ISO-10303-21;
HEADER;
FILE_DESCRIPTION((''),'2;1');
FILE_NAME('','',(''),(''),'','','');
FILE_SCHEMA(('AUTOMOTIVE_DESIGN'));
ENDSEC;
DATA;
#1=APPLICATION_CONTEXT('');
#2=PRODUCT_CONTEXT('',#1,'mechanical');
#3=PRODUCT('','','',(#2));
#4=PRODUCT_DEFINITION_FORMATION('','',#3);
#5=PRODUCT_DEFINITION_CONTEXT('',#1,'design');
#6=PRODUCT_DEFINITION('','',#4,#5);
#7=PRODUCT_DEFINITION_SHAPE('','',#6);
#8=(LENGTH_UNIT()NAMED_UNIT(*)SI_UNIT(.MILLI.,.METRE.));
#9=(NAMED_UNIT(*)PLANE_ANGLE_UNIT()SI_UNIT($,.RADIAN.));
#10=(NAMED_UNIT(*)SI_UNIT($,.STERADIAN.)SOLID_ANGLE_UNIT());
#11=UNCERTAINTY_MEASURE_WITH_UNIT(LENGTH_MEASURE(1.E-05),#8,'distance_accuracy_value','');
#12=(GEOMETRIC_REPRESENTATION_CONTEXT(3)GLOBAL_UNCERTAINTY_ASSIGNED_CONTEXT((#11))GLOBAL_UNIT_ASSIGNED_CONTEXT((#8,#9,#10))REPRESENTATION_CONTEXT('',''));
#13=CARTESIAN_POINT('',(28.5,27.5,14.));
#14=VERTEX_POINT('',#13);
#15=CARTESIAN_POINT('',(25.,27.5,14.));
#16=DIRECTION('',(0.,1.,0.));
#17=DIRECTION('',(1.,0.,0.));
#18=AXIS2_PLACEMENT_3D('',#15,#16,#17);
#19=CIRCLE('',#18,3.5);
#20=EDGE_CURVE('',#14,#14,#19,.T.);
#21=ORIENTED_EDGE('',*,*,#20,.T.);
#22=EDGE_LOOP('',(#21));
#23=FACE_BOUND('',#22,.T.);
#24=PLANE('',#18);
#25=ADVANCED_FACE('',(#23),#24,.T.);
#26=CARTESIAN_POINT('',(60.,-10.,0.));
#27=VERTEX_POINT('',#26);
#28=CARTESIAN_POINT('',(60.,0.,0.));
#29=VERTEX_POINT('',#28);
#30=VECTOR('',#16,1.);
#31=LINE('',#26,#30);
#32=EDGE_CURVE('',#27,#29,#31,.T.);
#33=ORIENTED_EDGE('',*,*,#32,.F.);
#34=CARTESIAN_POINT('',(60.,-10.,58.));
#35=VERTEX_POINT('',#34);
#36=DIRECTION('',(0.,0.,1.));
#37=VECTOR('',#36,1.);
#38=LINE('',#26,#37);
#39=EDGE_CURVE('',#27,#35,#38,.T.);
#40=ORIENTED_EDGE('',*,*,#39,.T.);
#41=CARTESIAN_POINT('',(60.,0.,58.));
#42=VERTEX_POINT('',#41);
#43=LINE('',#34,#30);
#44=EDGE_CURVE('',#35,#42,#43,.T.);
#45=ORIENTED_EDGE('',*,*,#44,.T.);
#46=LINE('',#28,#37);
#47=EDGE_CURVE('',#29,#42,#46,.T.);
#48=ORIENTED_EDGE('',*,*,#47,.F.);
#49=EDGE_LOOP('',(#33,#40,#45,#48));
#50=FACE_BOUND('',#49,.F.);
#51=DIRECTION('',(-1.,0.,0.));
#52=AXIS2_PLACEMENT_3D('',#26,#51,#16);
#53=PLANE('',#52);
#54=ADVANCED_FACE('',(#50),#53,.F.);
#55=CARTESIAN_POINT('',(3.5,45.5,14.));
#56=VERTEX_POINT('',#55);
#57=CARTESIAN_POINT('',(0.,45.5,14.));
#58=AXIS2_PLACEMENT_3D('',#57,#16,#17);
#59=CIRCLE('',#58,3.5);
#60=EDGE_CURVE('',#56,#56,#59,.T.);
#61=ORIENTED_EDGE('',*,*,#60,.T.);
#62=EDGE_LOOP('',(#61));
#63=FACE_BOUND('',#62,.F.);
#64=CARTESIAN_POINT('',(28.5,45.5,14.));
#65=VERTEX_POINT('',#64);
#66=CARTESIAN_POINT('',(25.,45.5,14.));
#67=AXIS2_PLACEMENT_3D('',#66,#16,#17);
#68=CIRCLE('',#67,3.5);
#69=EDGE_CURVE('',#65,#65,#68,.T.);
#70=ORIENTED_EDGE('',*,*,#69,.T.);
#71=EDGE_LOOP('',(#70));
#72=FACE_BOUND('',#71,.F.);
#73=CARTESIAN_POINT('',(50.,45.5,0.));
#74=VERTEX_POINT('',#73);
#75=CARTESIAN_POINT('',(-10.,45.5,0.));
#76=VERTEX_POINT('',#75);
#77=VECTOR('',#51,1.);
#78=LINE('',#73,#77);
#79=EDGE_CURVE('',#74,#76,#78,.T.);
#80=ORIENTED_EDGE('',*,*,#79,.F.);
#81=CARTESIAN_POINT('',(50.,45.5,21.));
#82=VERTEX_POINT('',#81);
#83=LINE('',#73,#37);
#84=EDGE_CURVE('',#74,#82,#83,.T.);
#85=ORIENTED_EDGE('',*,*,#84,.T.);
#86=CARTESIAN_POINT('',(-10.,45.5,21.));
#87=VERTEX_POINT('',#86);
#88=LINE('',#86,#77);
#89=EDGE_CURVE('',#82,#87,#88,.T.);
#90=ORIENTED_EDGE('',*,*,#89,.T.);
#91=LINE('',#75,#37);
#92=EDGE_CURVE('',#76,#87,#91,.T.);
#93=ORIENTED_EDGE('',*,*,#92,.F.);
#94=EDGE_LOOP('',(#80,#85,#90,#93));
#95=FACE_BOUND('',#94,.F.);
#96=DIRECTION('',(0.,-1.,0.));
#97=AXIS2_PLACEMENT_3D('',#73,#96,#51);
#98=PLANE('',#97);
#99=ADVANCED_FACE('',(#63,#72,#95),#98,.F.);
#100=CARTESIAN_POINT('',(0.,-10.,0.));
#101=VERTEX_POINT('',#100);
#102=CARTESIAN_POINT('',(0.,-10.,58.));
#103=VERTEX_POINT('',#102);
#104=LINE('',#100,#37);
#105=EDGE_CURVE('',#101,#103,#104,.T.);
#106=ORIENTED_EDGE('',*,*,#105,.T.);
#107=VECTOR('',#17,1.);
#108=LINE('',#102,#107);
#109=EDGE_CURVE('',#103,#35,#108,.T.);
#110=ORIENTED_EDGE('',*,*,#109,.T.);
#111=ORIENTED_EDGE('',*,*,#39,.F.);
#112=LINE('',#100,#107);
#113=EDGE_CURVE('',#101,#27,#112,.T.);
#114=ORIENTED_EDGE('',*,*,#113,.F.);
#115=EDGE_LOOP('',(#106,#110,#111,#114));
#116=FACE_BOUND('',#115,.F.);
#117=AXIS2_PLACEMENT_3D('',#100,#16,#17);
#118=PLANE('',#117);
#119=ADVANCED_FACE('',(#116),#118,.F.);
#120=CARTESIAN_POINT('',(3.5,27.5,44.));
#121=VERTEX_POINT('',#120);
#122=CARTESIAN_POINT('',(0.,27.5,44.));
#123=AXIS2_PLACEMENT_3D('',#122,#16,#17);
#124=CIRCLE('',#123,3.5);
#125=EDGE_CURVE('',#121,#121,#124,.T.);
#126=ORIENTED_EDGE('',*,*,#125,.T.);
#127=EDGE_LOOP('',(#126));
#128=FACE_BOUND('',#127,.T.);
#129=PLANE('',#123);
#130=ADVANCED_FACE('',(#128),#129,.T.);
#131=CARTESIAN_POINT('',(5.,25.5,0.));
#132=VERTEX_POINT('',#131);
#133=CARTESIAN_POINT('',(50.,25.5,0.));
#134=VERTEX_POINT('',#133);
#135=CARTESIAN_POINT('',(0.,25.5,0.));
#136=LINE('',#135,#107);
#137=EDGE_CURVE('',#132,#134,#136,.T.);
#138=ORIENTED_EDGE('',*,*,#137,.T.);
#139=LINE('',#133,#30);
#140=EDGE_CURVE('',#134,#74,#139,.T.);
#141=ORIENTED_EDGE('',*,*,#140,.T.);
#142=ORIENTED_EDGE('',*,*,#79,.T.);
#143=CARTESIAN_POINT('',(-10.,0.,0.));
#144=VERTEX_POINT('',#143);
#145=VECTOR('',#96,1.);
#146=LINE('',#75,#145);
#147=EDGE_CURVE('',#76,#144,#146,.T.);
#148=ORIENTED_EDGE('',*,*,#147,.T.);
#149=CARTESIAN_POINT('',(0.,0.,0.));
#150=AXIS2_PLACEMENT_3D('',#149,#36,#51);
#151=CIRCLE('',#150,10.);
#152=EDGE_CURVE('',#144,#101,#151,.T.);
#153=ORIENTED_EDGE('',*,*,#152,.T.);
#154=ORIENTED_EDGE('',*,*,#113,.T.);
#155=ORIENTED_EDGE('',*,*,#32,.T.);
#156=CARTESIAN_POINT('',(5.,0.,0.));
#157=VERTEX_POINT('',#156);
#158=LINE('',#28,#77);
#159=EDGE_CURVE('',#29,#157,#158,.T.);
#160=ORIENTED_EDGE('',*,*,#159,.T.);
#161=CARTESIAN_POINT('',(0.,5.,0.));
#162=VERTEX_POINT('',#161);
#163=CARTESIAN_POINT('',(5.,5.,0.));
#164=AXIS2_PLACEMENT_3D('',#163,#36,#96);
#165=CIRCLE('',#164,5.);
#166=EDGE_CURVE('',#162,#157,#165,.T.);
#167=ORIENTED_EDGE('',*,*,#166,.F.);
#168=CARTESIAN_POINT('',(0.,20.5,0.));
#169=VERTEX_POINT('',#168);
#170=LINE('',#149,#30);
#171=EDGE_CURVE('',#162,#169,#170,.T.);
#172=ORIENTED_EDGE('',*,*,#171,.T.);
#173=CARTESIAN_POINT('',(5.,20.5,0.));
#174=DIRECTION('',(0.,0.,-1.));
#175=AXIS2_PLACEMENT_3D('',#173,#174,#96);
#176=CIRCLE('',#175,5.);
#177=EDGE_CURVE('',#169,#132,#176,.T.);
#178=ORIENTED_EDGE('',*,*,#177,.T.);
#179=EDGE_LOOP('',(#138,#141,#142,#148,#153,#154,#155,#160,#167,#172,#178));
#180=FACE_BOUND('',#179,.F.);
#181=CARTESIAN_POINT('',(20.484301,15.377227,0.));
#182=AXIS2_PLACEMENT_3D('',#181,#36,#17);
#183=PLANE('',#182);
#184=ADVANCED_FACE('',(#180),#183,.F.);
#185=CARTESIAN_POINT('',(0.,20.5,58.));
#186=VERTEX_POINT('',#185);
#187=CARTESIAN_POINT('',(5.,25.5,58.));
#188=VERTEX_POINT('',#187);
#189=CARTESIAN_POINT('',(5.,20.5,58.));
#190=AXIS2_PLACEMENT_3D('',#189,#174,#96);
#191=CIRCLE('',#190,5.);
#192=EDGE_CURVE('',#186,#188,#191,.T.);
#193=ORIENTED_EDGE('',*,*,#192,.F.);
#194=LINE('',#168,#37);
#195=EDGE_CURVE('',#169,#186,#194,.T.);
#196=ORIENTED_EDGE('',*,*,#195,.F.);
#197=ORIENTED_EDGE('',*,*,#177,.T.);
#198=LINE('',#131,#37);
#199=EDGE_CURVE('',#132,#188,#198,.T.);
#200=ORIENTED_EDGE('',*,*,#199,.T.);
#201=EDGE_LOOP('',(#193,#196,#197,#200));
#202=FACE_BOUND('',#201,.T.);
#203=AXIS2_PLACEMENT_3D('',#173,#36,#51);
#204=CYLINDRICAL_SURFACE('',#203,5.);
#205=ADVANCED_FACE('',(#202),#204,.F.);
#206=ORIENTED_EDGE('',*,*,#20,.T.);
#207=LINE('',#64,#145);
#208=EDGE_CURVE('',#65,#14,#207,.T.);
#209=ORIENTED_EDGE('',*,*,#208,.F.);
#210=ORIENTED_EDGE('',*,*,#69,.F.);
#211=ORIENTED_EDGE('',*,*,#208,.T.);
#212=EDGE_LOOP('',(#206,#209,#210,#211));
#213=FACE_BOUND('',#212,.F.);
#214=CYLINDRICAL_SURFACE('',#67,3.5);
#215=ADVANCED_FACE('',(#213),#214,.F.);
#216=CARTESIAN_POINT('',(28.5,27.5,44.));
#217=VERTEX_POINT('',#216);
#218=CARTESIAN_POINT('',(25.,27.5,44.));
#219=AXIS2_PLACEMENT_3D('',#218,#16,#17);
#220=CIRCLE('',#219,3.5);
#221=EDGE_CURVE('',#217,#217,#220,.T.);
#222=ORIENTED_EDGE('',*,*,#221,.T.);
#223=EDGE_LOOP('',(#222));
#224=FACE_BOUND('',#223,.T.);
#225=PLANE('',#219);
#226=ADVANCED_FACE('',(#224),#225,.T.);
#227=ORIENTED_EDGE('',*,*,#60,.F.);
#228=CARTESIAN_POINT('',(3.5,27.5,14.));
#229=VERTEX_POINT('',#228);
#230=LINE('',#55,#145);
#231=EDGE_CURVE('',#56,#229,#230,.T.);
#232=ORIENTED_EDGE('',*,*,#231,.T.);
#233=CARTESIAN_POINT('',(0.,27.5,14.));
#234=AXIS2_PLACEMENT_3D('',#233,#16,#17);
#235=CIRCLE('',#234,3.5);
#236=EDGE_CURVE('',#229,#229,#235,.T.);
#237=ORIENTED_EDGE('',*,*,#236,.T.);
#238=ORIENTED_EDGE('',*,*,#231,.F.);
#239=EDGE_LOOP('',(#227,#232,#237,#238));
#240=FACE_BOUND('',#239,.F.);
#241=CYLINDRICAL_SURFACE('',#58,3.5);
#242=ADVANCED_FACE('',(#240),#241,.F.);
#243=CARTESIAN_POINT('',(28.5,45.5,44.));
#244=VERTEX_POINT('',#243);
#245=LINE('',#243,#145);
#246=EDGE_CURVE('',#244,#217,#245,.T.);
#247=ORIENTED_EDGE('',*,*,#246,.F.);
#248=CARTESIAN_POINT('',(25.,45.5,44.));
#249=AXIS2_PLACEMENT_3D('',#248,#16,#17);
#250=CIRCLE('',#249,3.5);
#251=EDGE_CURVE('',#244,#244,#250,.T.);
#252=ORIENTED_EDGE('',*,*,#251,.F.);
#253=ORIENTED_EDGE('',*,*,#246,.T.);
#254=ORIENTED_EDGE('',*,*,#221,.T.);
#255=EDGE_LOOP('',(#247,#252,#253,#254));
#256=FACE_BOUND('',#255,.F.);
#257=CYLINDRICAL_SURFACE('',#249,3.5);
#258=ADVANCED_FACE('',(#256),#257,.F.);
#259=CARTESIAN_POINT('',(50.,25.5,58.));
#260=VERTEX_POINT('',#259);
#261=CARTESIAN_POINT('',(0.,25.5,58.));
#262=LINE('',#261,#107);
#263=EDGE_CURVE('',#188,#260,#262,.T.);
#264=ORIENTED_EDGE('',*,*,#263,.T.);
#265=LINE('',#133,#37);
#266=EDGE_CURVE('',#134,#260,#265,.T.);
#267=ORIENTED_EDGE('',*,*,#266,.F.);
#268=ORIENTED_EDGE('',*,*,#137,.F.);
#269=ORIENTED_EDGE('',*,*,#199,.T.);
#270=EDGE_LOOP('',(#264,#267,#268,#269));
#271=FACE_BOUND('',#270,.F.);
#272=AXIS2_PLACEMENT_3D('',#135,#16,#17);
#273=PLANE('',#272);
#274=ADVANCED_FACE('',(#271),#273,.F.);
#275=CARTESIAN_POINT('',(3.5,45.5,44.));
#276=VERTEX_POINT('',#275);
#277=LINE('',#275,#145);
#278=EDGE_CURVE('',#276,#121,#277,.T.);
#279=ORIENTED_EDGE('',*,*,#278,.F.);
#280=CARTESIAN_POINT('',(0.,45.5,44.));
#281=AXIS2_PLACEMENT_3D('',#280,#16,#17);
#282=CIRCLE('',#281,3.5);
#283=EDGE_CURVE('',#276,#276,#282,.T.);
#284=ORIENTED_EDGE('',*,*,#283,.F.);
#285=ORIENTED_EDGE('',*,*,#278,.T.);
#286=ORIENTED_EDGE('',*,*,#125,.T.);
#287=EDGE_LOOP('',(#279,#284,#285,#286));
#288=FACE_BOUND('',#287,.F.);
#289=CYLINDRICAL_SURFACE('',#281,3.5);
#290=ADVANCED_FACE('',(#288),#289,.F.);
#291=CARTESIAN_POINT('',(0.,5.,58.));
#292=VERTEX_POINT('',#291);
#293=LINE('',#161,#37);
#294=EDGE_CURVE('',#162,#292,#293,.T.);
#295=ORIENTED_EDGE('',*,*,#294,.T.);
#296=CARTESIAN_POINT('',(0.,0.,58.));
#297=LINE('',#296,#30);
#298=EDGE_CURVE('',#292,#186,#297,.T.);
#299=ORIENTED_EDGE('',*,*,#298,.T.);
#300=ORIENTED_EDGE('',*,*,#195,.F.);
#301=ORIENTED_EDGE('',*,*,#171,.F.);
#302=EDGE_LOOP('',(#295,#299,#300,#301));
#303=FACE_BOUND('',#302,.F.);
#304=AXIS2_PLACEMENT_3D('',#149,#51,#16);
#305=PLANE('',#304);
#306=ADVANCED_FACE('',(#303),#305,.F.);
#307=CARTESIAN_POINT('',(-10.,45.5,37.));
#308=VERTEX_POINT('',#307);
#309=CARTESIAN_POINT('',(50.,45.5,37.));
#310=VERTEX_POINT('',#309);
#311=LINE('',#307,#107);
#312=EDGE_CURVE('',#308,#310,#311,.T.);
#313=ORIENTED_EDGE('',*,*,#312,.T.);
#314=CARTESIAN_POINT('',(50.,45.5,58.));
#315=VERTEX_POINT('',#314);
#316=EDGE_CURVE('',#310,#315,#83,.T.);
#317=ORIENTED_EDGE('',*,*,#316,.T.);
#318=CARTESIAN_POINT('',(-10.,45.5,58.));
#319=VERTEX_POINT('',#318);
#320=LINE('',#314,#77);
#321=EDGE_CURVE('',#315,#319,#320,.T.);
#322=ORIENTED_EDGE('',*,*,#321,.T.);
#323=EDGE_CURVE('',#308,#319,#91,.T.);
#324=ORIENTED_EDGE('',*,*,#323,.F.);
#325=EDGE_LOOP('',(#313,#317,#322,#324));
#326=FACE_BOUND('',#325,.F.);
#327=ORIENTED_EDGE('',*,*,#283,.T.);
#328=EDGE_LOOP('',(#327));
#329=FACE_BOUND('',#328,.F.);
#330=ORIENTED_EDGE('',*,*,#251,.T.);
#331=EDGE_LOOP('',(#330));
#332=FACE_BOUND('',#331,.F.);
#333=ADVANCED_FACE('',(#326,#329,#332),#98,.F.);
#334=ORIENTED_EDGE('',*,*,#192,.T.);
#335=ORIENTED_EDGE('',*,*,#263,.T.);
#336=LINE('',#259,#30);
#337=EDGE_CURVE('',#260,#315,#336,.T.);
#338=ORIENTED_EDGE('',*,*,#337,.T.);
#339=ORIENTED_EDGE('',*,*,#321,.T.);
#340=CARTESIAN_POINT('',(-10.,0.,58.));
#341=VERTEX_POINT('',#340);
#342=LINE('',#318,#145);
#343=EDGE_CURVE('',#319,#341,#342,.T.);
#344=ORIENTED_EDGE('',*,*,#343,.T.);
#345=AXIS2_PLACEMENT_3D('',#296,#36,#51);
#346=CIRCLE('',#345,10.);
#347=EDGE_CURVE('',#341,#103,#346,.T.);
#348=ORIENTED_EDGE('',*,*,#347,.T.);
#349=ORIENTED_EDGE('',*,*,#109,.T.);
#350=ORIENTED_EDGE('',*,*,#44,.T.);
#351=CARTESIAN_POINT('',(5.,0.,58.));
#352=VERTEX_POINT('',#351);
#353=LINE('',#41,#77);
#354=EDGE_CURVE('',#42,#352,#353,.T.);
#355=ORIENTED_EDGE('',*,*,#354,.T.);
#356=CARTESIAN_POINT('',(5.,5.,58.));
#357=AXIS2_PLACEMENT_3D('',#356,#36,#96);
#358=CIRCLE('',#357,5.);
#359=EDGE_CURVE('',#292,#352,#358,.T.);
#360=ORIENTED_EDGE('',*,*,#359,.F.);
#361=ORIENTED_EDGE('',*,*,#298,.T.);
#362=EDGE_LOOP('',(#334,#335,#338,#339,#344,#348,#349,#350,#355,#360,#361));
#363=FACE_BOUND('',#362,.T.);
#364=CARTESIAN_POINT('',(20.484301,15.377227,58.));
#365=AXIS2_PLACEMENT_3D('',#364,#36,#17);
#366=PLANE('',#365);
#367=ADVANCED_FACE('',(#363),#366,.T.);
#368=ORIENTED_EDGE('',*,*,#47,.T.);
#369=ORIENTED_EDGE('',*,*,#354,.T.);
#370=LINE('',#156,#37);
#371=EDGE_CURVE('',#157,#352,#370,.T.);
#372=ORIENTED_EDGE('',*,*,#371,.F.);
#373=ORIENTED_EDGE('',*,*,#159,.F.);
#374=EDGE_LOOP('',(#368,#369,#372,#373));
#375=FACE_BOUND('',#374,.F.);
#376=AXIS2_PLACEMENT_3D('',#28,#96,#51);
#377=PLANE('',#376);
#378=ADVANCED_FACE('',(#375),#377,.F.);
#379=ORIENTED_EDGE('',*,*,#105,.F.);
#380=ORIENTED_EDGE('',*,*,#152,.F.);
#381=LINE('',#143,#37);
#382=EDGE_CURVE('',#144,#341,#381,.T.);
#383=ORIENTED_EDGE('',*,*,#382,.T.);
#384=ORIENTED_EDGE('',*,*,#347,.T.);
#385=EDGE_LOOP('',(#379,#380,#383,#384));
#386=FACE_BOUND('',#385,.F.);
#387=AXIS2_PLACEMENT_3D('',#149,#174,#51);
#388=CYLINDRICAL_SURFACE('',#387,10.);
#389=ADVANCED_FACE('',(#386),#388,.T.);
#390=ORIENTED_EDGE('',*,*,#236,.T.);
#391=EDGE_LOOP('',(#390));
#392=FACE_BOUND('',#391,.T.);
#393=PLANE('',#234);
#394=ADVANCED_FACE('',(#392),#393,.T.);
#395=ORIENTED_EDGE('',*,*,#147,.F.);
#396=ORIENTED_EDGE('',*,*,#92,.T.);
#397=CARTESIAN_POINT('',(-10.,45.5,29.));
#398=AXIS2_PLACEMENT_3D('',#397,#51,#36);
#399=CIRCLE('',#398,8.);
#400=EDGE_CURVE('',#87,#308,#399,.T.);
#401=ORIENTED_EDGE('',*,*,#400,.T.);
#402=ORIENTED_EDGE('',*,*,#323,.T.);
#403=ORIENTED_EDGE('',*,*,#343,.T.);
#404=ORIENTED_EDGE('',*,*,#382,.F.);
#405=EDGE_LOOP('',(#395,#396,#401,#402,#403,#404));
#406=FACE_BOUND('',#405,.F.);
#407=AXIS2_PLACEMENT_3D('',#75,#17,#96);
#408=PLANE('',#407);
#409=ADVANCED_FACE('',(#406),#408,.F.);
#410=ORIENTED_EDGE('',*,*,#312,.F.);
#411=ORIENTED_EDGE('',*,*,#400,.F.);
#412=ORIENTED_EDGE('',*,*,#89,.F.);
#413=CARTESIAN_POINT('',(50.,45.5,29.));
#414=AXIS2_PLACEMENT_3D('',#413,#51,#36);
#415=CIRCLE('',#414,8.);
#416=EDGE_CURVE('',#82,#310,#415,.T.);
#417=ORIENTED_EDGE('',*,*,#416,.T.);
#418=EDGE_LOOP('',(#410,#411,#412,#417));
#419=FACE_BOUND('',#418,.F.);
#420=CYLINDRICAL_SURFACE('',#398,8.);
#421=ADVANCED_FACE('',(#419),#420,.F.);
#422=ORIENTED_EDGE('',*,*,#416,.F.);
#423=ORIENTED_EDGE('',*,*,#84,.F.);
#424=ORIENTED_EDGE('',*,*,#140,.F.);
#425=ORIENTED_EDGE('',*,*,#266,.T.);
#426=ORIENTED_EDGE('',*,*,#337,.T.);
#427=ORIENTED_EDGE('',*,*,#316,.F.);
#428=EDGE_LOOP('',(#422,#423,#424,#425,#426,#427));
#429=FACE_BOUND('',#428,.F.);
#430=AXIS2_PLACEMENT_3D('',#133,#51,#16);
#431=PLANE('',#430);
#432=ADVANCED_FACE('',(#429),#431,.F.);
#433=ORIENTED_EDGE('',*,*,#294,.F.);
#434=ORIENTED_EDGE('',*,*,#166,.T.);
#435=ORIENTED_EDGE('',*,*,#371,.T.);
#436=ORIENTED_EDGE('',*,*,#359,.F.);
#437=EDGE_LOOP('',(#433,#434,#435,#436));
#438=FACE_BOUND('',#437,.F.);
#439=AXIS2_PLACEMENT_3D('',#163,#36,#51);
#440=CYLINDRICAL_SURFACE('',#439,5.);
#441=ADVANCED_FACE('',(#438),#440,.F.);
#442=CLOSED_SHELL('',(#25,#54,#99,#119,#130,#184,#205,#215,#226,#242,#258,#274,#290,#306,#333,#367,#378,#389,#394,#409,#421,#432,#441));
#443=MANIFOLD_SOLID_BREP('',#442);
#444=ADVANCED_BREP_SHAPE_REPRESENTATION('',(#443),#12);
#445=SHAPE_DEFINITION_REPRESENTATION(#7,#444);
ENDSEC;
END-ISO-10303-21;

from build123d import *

# Parameters (mm, degrees)
BOSS_EXTRUDE1_DEPTH = 58
SKETCH2_R           = 8
CUT_EXTRUDE1_DEPTH  = 60
SKETCH3_R           = 3.5
CUT_EXTRUDE2_DEPTH  = 18
FILLET1_R           = 5


with BuildPart() as part:
    # Sketch1 → Boss-Extrude1 (new body)
    with BuildSketch(Plane.XY):
        with BuildLine():
            Line((0, 0), (0, 25.5))
            Line((0, 25.5), (50, 25.5))
            Line((50, 25.5), (50, 45.5))
            Line((50, 45.5), (-10, 45.5))
            Line((-10, 45.5), (-10, 0))
            ThreePointArc((-10, 0), (-7.071067812, -7.071067812), (0, -10))
            Line((0, -10), (60, -10))
            Line((60, -10), (60, 0))
            Line((60, 0), (0, 0))
        make_face()
    extrude(amount=BOSS_EXTRUDE1_DEPTH)

    # Sketch2 → Cut-Extrude1 (cut)
    with BuildSketch(Plane.ZY.offset(10)):
        with Locations((29, 45.5)):
            Circle(SKETCH2_R)
    extrude(amount=-CUT_EXTRUDE1_DEPTH, mode=Mode.SUBTRACT)

    # Sketch3 → Cut-Extrude2 (cut)
    with BuildSketch(Plane(origin=(0, 45.5, 0), x_dir=(1, 0, 0), z_dir=(0, 1, 0))):
        with Locations((0, -14)):
            Circle(SKETCH3_R)
        with Locations((0, -44)):
            Circle(SKETCH3_R)
        with Locations((25, -14)):
            Circle(SKETCH3_R)
        with Locations((25, -44)):
            Circle(SKETCH3_R)
    extrude(amount=-CUT_EXTRUDE2_DEPTH, mode=Mode.SUBTRACT)

    # Fillet1
    fillet1_edges = [part.edges().sort_by_distance(p)[0] for p in [
        (0, 25.5, 29),
        (0, 0, 29),
    ]]
    fillet(fillet1_edges, radius=FILLET1_R)


solid = part.part
